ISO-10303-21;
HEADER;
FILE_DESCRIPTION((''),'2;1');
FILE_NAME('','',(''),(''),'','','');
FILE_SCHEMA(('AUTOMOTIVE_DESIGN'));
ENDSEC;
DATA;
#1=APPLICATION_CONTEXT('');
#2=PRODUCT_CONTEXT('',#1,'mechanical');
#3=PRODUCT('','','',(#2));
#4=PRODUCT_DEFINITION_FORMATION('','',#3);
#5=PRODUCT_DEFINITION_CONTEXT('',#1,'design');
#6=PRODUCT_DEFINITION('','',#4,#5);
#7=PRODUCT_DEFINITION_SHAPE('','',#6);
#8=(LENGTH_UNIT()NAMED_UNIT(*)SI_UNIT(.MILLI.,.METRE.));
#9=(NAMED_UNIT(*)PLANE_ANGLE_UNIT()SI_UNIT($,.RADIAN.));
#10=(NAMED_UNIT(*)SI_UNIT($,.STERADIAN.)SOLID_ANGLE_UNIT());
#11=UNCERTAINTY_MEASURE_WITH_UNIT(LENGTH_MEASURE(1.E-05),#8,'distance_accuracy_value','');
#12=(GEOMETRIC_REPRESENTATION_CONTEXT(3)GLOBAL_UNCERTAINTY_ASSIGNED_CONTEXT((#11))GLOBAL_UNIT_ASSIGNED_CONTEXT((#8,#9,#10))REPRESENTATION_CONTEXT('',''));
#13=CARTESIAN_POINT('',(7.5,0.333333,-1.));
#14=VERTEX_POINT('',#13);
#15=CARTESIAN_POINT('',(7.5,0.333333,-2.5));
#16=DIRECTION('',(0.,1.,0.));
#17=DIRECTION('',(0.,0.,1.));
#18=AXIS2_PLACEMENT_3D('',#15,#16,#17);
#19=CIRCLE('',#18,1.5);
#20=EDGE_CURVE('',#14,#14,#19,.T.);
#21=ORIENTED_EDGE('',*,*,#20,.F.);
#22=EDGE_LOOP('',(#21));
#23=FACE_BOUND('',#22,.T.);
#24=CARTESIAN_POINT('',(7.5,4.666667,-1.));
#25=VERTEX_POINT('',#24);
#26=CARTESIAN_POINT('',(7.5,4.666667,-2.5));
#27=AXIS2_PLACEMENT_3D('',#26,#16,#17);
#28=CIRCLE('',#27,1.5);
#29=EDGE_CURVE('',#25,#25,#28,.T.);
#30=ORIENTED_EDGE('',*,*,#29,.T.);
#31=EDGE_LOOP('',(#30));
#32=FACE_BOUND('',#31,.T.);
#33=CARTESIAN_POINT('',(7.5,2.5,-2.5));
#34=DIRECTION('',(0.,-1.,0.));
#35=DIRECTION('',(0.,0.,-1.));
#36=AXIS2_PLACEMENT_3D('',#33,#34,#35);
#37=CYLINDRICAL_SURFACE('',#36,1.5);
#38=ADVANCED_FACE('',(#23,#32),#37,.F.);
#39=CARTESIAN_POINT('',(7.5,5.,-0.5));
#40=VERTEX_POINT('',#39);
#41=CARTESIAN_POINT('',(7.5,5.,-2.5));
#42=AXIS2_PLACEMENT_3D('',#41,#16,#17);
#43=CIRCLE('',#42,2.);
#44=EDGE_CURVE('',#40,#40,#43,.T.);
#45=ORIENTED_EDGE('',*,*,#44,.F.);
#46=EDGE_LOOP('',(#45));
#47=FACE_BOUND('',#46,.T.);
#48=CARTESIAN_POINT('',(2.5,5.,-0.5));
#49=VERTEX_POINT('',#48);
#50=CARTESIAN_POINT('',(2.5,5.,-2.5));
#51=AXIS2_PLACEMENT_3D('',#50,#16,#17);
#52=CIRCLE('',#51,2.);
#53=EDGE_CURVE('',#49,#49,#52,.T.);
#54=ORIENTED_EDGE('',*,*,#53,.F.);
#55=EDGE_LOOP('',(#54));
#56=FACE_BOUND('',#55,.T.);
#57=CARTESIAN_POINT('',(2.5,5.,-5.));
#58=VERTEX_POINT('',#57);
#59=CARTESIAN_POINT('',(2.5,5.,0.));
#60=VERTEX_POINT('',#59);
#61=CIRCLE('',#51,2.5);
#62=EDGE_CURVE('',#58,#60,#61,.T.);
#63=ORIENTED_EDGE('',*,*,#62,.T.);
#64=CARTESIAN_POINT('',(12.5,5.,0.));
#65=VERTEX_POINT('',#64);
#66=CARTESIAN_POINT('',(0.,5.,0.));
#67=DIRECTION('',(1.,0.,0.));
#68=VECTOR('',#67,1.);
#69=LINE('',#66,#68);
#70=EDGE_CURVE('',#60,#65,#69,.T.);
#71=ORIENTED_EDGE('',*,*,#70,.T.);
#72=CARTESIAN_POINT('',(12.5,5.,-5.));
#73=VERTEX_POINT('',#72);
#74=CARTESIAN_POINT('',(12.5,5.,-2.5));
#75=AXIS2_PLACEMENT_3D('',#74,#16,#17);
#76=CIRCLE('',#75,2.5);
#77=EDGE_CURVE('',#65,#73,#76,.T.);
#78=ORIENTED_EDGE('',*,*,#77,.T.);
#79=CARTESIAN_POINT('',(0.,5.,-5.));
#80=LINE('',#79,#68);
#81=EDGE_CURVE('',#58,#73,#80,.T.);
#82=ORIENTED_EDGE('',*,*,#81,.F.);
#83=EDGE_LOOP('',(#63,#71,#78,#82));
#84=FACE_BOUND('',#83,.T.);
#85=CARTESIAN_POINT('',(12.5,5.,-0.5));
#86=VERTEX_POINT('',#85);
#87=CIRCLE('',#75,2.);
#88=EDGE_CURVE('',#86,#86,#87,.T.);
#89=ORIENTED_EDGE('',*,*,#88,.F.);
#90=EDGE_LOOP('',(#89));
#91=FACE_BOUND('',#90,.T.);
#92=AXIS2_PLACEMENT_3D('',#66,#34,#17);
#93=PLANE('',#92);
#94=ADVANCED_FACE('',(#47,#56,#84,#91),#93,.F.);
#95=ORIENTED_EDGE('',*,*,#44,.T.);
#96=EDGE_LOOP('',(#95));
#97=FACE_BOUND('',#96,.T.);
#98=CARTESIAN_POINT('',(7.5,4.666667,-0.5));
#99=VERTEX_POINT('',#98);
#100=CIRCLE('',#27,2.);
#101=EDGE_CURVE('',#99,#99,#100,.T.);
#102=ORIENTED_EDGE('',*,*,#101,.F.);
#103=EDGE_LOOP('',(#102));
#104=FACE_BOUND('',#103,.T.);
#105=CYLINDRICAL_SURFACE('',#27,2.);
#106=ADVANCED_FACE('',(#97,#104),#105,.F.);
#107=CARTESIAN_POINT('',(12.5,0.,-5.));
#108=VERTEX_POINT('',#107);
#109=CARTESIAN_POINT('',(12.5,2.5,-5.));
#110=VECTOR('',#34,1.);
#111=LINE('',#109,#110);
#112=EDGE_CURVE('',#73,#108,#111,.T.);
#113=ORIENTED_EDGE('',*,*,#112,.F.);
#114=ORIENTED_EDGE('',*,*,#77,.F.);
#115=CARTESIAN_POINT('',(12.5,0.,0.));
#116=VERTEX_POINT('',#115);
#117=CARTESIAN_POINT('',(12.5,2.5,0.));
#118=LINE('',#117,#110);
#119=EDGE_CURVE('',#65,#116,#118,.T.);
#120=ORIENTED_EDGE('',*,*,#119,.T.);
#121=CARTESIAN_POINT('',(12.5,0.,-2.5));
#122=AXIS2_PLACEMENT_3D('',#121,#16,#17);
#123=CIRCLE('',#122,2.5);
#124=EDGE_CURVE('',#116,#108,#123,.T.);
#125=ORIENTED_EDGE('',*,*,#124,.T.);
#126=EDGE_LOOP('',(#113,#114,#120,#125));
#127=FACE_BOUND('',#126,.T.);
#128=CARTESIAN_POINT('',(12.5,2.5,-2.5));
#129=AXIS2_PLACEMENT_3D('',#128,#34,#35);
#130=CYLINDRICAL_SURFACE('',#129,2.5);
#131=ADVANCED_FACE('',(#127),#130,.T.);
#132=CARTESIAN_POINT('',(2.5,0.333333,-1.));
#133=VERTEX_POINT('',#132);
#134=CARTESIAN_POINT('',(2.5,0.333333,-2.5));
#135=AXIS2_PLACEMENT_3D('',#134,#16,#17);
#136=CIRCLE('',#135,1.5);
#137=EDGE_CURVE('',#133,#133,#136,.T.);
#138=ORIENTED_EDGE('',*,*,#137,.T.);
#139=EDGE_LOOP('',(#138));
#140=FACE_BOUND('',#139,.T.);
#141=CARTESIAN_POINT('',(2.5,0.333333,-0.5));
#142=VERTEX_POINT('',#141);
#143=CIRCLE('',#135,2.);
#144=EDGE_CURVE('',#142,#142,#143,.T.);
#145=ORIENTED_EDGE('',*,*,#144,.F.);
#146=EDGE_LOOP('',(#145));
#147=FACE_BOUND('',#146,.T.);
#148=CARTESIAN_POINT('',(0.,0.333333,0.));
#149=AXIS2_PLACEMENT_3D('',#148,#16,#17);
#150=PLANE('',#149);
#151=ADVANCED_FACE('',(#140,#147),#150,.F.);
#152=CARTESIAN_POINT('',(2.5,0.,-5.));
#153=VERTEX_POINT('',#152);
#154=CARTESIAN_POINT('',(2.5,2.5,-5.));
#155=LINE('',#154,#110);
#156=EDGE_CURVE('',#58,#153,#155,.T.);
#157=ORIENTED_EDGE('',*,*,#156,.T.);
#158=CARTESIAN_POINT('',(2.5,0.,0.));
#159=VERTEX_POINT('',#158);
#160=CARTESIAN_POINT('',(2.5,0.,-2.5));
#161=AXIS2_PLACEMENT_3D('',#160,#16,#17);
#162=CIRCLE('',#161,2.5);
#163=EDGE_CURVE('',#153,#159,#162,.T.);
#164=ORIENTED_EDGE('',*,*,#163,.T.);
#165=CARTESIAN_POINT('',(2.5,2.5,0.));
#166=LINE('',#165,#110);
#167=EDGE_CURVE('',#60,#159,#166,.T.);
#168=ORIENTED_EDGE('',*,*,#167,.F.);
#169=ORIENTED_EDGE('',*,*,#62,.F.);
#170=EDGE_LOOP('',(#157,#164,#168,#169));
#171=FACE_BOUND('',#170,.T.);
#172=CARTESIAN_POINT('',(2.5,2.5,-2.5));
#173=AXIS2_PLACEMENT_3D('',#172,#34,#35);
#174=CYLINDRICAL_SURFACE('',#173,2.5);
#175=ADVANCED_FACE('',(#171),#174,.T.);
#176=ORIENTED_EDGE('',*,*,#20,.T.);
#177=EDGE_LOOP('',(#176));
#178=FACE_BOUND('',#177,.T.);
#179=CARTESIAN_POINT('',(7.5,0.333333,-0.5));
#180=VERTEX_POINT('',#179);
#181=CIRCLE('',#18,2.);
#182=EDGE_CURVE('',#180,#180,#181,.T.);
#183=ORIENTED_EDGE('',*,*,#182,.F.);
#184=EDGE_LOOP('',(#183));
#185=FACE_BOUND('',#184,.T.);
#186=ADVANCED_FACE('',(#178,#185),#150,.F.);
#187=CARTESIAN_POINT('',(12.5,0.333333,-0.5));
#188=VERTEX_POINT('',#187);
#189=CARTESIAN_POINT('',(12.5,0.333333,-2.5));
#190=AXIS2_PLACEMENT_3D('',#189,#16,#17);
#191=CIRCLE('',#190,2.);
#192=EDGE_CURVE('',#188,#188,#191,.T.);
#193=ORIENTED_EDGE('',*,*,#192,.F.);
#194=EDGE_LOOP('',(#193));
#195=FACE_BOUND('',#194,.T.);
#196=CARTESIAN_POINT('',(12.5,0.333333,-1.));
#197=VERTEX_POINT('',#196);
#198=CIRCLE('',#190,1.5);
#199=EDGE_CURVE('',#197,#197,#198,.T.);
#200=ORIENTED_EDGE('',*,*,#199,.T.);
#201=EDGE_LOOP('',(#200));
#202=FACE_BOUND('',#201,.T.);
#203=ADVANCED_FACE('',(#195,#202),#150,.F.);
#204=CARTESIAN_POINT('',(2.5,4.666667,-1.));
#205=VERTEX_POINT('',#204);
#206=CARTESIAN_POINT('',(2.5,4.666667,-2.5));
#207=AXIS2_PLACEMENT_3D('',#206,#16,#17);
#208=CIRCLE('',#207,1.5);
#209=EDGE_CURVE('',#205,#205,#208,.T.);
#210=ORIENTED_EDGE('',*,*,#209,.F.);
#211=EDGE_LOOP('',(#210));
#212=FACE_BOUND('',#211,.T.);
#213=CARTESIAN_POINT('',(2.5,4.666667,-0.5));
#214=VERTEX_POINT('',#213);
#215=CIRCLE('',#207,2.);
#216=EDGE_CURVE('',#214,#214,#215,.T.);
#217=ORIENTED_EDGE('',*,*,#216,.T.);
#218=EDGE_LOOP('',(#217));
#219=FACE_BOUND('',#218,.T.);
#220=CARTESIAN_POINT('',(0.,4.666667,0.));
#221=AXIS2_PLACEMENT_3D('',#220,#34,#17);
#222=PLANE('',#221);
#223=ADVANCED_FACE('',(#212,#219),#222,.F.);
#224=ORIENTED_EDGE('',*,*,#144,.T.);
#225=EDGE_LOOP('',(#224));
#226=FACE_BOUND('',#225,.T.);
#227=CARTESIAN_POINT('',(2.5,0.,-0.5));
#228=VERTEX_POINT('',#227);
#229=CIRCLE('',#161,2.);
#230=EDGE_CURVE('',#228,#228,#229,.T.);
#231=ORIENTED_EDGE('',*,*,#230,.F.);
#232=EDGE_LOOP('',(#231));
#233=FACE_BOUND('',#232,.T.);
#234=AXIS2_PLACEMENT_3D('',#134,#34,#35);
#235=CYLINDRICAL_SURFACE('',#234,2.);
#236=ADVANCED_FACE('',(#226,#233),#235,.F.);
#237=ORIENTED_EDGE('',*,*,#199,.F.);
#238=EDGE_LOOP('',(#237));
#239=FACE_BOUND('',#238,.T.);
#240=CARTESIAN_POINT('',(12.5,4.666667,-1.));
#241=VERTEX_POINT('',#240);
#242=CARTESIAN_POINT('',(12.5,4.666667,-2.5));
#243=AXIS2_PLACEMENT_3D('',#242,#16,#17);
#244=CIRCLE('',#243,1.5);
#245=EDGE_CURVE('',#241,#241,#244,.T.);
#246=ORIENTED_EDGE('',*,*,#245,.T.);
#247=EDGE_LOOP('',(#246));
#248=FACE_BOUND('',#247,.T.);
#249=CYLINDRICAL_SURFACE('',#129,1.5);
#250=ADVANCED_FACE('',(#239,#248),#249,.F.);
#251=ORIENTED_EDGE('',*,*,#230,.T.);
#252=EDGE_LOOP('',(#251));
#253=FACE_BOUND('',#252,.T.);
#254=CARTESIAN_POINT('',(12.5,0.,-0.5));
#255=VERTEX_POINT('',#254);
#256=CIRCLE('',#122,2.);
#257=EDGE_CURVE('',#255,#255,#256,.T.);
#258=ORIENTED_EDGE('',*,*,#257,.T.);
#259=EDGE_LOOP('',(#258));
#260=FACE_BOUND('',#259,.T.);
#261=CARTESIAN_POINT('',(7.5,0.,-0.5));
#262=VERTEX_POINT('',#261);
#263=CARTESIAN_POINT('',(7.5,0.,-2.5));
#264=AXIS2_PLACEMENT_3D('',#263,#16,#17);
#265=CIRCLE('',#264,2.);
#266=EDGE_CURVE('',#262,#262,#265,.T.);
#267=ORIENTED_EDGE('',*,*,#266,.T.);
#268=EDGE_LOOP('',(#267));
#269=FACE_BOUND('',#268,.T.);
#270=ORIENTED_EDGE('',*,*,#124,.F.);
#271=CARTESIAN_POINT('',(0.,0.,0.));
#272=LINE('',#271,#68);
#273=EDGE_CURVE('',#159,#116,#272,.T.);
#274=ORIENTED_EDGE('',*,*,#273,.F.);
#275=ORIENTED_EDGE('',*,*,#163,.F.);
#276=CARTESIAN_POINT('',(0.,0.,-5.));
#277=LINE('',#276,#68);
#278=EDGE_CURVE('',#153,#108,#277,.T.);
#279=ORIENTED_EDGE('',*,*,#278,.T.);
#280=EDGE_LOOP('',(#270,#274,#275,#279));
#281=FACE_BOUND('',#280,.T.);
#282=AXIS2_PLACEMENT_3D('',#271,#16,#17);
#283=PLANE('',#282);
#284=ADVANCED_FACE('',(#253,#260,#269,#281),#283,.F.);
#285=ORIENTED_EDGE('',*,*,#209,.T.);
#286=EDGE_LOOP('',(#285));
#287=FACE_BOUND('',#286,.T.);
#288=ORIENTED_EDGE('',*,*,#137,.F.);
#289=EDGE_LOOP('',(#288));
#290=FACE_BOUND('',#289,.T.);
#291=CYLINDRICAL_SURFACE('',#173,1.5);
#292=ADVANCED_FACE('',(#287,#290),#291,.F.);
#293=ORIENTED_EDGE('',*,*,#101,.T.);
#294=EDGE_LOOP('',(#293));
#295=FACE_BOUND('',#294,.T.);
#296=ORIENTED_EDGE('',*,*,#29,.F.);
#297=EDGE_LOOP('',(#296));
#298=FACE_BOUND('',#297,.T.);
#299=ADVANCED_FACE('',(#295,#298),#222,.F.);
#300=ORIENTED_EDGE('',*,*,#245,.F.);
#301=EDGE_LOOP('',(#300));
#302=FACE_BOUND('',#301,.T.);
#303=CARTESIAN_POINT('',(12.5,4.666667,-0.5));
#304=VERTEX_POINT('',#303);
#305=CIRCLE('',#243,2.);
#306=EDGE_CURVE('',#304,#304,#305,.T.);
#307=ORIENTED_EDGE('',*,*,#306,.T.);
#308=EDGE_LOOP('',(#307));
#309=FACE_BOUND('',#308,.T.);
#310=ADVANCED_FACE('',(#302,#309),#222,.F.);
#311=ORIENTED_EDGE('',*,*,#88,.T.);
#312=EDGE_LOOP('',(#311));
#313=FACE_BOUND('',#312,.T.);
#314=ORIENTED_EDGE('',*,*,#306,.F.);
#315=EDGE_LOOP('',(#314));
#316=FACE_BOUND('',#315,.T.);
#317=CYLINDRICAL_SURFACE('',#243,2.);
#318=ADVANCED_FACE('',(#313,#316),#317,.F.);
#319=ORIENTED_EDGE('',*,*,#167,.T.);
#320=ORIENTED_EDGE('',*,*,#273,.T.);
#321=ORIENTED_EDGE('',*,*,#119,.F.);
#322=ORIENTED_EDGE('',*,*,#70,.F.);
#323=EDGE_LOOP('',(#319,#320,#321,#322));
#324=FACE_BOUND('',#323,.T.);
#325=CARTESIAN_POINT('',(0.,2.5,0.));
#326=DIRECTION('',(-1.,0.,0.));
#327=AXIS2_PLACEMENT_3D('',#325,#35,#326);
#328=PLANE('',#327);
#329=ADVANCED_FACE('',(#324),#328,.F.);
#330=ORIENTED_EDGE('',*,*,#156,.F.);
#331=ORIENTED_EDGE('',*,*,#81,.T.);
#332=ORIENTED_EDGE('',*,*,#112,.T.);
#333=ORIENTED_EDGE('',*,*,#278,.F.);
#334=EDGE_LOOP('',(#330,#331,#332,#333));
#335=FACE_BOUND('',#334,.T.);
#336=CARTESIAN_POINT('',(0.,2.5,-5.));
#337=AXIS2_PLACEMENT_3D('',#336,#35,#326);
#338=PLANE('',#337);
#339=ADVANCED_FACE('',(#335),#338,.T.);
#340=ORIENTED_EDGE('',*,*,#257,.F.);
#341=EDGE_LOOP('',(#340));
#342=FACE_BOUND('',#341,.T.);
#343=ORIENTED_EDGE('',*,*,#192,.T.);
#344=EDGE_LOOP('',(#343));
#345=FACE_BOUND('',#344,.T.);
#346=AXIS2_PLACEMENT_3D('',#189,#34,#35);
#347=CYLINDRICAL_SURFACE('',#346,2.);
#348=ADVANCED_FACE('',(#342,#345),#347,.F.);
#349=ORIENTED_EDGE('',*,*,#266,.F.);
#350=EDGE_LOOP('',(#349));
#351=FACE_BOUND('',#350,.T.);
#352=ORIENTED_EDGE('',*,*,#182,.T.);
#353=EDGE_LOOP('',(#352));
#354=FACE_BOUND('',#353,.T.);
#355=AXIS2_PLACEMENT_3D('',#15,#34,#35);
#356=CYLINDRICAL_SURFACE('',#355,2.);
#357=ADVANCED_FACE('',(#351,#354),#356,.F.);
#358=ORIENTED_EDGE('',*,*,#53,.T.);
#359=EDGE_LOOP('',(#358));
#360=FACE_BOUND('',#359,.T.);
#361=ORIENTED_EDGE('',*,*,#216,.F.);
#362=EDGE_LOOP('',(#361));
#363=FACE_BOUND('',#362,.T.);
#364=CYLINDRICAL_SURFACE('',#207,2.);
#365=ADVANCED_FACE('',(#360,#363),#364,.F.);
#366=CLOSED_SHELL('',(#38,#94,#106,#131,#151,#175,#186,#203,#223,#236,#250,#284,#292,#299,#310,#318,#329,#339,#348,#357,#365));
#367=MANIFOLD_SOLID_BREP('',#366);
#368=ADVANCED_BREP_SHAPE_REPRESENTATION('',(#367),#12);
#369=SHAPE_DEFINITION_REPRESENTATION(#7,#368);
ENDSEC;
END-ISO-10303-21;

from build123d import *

# Parameters (mm, degrees)
SKETCH1_R           = 1.5
BOSS_EXTRUDE3_DEPTH = 2.5
SKETCH1_5_R         = 2
SKETCH1_5_R_2       = 1.5
CUT_EXTRUDE1_DEPTH  = 0.333333333


with BuildPart() as part:
    # Sketch1 → Boss-Extrude3 (new body)
    with BuildSketch(Plane(origin=(0, 0, 0), x_dir=(1, 0, 0), z_dir=(0, 1, 0))):
        with BuildLine():
            Line((12.5, 5), (2.5, 5))
            ThreePointArc((2.5, 5), (0, 2.5), (2.5, 0))
            Line((2.5, 0), (12.5, 0))
            ThreePointArc((12.5, 0), (15, 2.5), (12.5, 5))
        make_face()
        with Locations((7.5, 2.5)):
            Circle(SKETCH1_R, mode=Mode.SUBTRACT)
        with Locations((2.5, 2.5)):
            Circle(SKETCH1_R, mode=Mode.SUBTRACT)
        with Locations((12.5, 2.5)):
            Circle(SKETCH1_R, mode=Mode.SUBTRACT)
    boss_extrude3 = extrude(amount=BOSS_EXTRUDE3_DEPTH)

    # Sketch1<5> → Cut-Extrude1 (cut)
    # profile 1 of 3: a face of its own
    with BuildSketch(Plane(origin=(0, 0, 0), x_dir=(1, 0, 0), z_dir=(0, 1, 0))):
        with Locations((2.5, 2.5)):
            Circle(SKETCH1_5_R)
        with Locations((2.5, 2.5)):
            Circle(SKETCH1_5_R_2, mode=Mode.SUBTRACT)
    # profile 2 of 3: a face of its own
    with BuildSketch(Plane(origin=(0, 0, 0), x_dir=(1, 0, 0), z_dir=(0, 1, 0))):
        with Locations((7.5, 2.5)):
            Circle(SKETCH1_5_R)
        with Locations((7.5, 2.5)):
            Circle(SKETCH1_5_R_2, mode=Mode.SUBTRACT)
    # profile 3 of 3: a face of its own
    with BuildSketch(Plane(origin=(0, 0, 0), x_dir=(1, 0, 0), z_dir=(0, 1, 0))):
        with Locations((12.5, 2.5)):
            Circle(SKETCH1_5_R)
        with Locations((12.5, 2.5)):
            Circle(SKETCH1_5_R_2, mode=Mode.SUBTRACT)
    cut_extrude1 = extrude(amount=CUT_EXTRUDE1_DEPTH, mode=Mode.SUBTRACT)

    # Mirror2: Boss-Extrude3, Cut-Extrude1 across plane
    add(boss_extrude3.mirror(Plane.ZX.offset(2.5)))
    add(cut_extrude1.mirror(Plane.ZX.offset(2.5)), mode=Mode.SUBTRACT)


solid = part.part
